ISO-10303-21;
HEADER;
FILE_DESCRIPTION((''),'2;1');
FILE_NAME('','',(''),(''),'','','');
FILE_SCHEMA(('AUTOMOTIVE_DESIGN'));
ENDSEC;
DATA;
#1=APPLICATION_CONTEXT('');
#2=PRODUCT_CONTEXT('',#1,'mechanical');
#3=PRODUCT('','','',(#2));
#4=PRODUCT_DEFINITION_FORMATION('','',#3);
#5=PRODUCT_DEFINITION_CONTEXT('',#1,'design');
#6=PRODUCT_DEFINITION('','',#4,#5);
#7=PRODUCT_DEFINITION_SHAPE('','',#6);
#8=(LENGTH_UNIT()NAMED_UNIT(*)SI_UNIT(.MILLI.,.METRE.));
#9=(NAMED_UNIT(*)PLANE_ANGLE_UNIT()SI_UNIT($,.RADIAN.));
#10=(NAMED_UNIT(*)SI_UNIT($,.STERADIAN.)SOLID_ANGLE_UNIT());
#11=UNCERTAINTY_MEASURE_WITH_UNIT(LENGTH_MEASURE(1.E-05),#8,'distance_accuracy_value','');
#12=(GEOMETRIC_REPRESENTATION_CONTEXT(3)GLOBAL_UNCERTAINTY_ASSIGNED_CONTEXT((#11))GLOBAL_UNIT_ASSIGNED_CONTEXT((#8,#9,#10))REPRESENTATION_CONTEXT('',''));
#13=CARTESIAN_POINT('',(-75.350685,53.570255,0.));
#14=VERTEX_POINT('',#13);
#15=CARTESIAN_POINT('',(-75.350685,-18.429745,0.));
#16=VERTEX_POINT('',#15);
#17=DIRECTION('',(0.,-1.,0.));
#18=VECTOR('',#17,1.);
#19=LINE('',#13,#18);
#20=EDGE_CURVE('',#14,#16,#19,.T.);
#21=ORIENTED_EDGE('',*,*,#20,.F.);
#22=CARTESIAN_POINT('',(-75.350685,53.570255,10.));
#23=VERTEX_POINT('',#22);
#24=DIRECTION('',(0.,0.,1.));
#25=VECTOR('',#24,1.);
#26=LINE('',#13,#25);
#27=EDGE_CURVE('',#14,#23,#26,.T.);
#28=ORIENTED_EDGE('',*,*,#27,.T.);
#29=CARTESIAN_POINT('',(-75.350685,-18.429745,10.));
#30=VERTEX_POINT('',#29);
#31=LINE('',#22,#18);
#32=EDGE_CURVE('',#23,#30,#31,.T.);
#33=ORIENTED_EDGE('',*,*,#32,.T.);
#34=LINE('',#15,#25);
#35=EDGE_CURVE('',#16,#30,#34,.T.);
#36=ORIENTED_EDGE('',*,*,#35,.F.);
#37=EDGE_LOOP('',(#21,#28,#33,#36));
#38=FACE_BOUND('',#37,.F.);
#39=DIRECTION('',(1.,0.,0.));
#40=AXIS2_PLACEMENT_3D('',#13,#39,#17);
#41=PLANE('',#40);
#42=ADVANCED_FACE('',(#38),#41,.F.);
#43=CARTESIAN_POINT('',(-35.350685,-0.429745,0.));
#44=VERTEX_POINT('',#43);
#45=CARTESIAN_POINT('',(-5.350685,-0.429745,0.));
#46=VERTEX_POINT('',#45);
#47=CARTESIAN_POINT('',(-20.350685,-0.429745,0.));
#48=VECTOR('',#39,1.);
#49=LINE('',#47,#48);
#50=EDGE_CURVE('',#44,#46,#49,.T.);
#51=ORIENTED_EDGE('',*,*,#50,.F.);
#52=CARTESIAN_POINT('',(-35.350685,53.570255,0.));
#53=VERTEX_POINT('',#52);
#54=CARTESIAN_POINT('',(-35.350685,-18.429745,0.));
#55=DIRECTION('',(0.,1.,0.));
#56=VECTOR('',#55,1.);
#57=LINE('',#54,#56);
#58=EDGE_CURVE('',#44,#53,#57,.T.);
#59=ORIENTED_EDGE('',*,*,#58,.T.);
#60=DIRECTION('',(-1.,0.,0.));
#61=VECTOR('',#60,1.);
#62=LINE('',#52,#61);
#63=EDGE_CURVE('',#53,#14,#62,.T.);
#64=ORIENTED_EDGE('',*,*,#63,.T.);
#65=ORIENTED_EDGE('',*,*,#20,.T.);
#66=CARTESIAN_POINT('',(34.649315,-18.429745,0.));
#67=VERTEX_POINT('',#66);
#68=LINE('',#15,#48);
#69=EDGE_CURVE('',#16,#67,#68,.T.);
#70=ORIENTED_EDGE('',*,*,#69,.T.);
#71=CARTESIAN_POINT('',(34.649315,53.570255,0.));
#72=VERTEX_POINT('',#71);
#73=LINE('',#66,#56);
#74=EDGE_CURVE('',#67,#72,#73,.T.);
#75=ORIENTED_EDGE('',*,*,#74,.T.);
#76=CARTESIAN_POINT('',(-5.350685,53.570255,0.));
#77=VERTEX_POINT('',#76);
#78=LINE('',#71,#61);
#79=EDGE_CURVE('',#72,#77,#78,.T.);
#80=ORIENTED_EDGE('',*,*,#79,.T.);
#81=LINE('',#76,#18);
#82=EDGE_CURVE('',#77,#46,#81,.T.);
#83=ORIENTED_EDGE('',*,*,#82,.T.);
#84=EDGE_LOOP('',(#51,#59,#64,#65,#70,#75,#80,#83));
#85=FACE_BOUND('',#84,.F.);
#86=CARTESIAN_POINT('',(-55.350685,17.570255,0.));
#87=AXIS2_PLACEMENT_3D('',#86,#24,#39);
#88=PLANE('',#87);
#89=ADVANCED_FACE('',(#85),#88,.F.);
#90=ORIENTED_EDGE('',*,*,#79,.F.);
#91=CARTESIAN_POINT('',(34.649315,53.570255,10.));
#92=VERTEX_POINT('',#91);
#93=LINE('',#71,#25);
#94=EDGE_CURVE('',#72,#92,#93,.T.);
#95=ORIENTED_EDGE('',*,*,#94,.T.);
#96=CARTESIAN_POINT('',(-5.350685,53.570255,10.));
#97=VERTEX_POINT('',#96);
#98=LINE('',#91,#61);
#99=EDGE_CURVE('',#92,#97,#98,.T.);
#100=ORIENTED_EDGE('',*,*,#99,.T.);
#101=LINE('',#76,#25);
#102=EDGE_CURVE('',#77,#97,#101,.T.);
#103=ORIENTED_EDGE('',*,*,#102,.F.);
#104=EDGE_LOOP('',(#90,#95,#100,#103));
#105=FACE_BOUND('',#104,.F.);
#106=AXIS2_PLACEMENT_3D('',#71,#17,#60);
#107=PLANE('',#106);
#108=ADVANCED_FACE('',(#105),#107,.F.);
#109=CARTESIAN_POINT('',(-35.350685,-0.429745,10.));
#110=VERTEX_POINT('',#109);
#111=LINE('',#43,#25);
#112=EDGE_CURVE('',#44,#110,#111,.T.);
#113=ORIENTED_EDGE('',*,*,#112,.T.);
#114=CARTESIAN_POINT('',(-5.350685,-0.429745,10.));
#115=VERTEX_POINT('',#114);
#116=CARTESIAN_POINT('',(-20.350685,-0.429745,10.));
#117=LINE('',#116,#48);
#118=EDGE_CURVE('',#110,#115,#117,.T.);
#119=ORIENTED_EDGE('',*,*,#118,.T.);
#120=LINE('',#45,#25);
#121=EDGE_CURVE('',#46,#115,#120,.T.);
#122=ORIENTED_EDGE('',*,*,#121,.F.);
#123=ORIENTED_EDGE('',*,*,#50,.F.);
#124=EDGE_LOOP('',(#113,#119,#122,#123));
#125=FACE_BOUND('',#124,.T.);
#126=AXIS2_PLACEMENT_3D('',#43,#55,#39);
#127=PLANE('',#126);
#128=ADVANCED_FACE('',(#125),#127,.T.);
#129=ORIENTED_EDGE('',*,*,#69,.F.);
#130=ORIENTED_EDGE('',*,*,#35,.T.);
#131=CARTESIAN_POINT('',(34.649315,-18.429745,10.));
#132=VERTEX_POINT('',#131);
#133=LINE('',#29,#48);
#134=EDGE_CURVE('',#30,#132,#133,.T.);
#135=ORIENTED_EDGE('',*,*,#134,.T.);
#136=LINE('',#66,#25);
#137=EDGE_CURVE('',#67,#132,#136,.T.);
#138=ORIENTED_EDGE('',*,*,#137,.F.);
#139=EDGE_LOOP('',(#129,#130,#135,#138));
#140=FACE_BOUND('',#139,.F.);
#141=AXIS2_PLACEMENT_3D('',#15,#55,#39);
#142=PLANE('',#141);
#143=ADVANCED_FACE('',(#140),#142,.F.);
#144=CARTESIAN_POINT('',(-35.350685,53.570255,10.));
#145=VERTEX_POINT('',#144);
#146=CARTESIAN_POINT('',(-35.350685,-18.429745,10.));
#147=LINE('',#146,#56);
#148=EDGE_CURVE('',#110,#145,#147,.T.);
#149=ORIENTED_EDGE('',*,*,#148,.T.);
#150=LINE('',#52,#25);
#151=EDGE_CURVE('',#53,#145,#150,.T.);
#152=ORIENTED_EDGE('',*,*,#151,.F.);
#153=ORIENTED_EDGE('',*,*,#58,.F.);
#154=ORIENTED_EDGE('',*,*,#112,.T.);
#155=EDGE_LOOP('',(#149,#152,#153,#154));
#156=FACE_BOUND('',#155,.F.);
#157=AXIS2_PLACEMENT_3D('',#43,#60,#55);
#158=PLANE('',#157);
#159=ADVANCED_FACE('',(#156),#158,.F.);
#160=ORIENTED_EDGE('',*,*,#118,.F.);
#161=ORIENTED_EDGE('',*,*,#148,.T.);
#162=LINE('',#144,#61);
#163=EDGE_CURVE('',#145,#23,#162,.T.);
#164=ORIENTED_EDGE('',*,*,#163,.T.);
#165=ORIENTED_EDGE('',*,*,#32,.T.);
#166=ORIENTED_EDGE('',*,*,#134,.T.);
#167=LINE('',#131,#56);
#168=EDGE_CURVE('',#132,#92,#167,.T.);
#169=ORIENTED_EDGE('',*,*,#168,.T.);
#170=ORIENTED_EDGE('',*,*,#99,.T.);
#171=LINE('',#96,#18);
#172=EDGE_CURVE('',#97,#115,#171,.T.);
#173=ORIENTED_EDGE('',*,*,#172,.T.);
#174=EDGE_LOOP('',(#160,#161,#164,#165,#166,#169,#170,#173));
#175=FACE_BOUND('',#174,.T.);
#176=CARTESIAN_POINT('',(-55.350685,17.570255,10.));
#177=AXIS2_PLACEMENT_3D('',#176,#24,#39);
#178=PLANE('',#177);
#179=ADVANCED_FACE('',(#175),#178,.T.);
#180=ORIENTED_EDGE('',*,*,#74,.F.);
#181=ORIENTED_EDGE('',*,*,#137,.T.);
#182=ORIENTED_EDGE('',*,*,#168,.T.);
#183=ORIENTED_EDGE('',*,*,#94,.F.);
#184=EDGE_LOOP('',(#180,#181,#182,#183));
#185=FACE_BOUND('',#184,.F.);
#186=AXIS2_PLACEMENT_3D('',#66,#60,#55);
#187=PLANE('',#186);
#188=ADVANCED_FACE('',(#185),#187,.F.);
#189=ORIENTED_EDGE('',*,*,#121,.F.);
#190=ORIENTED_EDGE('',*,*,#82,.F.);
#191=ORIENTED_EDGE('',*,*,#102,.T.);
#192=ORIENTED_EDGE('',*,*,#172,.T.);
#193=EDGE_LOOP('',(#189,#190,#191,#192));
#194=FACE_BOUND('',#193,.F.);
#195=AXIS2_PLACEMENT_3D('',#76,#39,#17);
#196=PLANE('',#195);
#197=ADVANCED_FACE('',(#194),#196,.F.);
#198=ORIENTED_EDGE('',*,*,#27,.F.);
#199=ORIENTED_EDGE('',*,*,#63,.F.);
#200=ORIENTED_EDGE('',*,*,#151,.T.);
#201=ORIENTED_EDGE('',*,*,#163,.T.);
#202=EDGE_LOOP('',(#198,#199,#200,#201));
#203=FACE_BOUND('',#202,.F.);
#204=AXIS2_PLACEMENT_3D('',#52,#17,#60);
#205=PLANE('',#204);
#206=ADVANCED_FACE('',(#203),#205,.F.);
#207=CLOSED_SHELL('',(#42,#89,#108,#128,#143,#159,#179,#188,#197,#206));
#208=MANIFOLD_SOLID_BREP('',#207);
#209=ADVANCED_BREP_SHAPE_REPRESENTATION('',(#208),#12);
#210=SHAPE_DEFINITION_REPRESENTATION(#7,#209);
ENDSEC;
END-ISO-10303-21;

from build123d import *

# Parameters (mm, degrees)
F0_W     = 30
F0_H     = 18
F1_DEPTH = 10


with BuildPart() as f1:
    # F0 (on Top) → F1 (new body)
    with BuildSketch(Plane.XY):
        Polygon((-35.350685, 53.570255), (-75.350685, 53.570255), (-75.350685, -18.429745), (-35.350685, -18.429745), (-35.350685, -0.429745), align=None)
        with Locations((-20.350685, -9.429745)):
            Rectangle(F0_W, F0_H)
        Polygon((-5.350685, 53.570255), (-5.350685, -0.429745), (-5.350685, -18.429745), (34.649315, -18.429745), (34.649315, 53.570255), align=None)
    extrude(amount=F1_DEPTH)


solid = f1.part
